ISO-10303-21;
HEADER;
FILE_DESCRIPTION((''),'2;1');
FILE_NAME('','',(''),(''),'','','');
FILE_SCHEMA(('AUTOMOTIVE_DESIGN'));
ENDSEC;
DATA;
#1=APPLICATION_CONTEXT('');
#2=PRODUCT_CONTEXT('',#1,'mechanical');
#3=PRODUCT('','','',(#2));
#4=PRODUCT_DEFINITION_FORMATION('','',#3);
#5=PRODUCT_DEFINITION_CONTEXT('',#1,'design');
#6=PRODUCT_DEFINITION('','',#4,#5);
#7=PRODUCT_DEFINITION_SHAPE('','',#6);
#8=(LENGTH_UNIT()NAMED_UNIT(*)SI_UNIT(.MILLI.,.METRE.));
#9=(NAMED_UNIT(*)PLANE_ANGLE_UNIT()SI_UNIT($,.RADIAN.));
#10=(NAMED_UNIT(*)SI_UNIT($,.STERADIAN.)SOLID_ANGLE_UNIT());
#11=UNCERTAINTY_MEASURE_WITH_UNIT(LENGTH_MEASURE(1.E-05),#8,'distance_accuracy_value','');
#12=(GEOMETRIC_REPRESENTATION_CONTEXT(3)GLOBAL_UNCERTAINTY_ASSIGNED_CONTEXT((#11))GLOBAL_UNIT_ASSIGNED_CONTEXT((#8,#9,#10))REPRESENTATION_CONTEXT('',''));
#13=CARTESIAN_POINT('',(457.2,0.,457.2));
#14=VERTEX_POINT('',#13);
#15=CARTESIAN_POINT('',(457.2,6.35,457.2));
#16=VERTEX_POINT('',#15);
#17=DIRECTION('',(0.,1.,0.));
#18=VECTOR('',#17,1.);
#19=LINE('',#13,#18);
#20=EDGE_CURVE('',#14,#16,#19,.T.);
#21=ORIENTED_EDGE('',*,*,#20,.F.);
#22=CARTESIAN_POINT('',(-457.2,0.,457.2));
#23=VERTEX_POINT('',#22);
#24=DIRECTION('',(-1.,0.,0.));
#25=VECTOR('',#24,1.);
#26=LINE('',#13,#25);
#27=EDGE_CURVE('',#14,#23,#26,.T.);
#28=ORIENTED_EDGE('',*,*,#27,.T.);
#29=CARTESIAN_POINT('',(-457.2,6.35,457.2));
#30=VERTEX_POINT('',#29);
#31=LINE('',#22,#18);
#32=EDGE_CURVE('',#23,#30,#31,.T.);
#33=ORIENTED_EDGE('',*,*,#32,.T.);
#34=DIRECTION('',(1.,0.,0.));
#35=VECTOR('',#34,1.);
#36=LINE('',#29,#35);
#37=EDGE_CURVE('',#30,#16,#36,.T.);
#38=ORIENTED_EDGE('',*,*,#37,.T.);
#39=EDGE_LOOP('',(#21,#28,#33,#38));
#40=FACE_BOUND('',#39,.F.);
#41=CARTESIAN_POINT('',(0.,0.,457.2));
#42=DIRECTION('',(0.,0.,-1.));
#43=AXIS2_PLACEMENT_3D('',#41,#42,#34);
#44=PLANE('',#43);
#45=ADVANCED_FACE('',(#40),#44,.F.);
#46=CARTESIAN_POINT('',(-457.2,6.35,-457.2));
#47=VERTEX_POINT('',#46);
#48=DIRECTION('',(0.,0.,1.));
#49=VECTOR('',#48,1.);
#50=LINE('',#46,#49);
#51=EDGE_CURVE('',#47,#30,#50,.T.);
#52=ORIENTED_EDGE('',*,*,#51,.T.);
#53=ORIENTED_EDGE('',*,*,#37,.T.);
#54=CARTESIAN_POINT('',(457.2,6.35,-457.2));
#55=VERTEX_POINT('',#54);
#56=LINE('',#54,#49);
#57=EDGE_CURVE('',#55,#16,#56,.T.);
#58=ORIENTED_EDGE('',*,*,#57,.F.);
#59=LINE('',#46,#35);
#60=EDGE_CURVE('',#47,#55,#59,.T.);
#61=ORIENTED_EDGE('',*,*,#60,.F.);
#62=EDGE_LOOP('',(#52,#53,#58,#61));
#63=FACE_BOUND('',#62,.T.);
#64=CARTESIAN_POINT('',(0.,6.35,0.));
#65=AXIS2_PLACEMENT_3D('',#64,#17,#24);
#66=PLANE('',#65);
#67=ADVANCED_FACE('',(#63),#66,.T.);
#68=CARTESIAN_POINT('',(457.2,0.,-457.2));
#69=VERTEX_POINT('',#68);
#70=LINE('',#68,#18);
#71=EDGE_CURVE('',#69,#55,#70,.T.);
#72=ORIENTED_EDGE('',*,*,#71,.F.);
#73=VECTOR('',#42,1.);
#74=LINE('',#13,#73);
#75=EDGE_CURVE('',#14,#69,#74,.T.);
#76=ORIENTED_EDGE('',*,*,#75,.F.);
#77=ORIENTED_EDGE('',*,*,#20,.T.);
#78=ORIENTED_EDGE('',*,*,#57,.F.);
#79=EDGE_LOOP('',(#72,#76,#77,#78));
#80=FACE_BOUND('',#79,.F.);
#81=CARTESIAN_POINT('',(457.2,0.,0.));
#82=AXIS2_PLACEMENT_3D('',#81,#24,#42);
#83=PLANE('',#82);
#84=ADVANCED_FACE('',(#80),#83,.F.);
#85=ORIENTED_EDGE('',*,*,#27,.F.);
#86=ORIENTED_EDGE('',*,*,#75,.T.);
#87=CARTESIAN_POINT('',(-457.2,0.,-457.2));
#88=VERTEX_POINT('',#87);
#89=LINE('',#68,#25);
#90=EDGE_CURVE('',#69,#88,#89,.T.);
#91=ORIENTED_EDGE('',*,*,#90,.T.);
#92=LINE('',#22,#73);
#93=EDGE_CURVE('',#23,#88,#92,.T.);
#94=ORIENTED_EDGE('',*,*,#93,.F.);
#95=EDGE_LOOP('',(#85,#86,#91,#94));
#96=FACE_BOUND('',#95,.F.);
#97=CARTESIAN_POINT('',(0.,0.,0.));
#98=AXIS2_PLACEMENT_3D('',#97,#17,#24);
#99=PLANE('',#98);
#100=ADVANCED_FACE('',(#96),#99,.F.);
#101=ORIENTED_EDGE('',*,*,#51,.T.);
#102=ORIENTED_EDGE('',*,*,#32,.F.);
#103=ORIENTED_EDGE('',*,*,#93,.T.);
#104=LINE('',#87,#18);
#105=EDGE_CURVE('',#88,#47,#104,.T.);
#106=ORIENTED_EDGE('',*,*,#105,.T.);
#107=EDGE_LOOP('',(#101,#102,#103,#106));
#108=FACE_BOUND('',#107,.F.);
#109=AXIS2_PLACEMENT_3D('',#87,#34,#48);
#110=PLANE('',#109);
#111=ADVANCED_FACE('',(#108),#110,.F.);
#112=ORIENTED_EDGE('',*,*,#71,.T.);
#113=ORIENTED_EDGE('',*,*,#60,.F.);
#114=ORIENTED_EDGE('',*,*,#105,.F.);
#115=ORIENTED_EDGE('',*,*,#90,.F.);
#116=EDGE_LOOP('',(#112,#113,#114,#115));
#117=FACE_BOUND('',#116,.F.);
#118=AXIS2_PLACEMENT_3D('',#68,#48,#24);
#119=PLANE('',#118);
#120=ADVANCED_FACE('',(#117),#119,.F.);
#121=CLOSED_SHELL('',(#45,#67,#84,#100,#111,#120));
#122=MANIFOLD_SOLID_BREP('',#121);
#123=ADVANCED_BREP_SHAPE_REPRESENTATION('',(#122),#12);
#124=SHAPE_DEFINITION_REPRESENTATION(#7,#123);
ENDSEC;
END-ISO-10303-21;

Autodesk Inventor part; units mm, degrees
ref_plane "YZ Plane" through (0, 0, 0) normal (1, 0, 0) x (0, 1, 0)
ref_plane "XZ Plane" through (0, 0, 0) normal (0, 1, 0) x (-1, 0, 0)
ref_plane "XY Plane" through (0, 0, 0) normal (0, 0, 1) x (1, 0, 0)
sketch "Sketch1" plane through (0, 0, 0) normal (0, 1, 0) x (-1, 0, 0)
  line L0 (0, -640.08) -> (0, 640.08) projected
  line L1 (-640.08, 0) -> (640.08, 0) projected
  line L2 (457.2, 457.2) -> (-457.2, 457.2)
  line L3 (-457.2, 457.2) -> (-457.2, -457.2)
  line L4 (-457.2, -457.2) -> (457.2, -457.2)
  line L5 (457.2, -457.2) -> (457.2, 457.2)
  point P0 (0, 0)
  dimension "d0" = 914.4
  dimension "d1" = 914.4
extrude "Extrusion1" add sketch "Sketch1" along normal blind 6.35
properties part number "PolyBase" material "UHMW, White"
